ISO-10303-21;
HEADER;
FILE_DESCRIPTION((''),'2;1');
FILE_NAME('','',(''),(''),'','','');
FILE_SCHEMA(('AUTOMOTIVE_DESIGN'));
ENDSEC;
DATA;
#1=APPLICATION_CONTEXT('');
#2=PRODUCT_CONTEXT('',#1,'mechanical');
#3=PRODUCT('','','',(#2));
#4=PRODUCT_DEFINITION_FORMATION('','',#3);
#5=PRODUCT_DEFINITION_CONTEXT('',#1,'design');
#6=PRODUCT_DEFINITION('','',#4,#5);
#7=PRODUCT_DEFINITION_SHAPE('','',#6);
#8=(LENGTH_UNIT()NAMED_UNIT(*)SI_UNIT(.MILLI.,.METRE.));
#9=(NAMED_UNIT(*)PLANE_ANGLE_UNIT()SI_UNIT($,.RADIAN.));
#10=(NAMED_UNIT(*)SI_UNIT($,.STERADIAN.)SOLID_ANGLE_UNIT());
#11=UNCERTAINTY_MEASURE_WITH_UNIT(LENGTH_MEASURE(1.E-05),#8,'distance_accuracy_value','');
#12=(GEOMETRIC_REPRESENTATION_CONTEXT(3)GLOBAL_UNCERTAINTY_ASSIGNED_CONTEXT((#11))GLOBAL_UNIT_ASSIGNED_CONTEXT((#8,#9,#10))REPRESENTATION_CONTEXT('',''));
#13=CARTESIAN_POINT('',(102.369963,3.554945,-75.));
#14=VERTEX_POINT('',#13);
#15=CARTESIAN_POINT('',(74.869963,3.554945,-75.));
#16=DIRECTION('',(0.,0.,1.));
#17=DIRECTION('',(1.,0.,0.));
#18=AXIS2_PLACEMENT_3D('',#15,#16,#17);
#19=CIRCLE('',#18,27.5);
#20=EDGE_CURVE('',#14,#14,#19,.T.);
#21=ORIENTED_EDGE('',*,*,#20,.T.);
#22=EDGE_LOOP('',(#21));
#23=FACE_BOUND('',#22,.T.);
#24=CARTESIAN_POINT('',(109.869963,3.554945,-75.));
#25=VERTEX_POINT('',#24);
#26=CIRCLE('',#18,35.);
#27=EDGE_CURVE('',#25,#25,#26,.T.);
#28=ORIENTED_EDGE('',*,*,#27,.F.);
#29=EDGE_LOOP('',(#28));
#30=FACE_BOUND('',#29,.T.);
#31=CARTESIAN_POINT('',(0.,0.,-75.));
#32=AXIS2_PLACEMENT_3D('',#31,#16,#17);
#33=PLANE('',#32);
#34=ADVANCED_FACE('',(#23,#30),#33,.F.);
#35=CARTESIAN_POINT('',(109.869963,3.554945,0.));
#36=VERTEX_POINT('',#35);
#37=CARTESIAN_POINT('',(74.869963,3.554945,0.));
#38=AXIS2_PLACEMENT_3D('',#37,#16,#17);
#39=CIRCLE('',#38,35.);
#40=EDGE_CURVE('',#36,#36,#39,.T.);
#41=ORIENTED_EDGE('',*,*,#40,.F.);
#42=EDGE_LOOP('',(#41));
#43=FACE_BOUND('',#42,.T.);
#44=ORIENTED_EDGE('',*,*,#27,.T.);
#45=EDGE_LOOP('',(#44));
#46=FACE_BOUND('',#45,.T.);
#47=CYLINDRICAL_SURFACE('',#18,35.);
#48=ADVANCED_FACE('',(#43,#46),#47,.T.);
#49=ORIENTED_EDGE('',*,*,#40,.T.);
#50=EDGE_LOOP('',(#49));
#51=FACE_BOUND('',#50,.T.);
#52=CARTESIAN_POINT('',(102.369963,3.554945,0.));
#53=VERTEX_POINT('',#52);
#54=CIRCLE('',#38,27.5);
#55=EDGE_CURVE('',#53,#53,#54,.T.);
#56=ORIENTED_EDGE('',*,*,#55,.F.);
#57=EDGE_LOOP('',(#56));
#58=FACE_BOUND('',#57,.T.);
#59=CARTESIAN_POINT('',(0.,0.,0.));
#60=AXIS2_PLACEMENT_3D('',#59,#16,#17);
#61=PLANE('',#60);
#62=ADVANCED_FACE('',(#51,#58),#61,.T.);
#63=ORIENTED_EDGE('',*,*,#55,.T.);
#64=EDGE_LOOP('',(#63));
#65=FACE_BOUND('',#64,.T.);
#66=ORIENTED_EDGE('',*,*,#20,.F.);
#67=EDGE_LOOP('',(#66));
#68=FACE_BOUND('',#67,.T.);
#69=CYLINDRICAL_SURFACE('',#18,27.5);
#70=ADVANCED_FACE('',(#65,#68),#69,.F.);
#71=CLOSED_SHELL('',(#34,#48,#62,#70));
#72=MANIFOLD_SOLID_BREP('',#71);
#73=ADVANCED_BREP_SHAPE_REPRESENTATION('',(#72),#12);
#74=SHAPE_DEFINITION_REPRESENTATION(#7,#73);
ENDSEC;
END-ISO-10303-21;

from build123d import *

# Parameters (mm, degrees)
SKETCH3_R           = 35
SKETCH3_R_2         = 27.5
BOSS_EXTRUDE4_DEPTH = 75


with BuildPart() as part:
    # Sketch3 → Boss-Extrude4 (new body)
    with BuildSketch(Plane.XY):
        with Locations((74.869963403, 3.554945105)):
            Circle(SKETCH3_R)
        with Locations((74.869963403, 3.554945105)):
            Circle(SKETCH3_R_2, mode=Mode.SUBTRACT)
    extrude(amount=-BOSS_EXTRUDE4_DEPTH)


solid = part.part
